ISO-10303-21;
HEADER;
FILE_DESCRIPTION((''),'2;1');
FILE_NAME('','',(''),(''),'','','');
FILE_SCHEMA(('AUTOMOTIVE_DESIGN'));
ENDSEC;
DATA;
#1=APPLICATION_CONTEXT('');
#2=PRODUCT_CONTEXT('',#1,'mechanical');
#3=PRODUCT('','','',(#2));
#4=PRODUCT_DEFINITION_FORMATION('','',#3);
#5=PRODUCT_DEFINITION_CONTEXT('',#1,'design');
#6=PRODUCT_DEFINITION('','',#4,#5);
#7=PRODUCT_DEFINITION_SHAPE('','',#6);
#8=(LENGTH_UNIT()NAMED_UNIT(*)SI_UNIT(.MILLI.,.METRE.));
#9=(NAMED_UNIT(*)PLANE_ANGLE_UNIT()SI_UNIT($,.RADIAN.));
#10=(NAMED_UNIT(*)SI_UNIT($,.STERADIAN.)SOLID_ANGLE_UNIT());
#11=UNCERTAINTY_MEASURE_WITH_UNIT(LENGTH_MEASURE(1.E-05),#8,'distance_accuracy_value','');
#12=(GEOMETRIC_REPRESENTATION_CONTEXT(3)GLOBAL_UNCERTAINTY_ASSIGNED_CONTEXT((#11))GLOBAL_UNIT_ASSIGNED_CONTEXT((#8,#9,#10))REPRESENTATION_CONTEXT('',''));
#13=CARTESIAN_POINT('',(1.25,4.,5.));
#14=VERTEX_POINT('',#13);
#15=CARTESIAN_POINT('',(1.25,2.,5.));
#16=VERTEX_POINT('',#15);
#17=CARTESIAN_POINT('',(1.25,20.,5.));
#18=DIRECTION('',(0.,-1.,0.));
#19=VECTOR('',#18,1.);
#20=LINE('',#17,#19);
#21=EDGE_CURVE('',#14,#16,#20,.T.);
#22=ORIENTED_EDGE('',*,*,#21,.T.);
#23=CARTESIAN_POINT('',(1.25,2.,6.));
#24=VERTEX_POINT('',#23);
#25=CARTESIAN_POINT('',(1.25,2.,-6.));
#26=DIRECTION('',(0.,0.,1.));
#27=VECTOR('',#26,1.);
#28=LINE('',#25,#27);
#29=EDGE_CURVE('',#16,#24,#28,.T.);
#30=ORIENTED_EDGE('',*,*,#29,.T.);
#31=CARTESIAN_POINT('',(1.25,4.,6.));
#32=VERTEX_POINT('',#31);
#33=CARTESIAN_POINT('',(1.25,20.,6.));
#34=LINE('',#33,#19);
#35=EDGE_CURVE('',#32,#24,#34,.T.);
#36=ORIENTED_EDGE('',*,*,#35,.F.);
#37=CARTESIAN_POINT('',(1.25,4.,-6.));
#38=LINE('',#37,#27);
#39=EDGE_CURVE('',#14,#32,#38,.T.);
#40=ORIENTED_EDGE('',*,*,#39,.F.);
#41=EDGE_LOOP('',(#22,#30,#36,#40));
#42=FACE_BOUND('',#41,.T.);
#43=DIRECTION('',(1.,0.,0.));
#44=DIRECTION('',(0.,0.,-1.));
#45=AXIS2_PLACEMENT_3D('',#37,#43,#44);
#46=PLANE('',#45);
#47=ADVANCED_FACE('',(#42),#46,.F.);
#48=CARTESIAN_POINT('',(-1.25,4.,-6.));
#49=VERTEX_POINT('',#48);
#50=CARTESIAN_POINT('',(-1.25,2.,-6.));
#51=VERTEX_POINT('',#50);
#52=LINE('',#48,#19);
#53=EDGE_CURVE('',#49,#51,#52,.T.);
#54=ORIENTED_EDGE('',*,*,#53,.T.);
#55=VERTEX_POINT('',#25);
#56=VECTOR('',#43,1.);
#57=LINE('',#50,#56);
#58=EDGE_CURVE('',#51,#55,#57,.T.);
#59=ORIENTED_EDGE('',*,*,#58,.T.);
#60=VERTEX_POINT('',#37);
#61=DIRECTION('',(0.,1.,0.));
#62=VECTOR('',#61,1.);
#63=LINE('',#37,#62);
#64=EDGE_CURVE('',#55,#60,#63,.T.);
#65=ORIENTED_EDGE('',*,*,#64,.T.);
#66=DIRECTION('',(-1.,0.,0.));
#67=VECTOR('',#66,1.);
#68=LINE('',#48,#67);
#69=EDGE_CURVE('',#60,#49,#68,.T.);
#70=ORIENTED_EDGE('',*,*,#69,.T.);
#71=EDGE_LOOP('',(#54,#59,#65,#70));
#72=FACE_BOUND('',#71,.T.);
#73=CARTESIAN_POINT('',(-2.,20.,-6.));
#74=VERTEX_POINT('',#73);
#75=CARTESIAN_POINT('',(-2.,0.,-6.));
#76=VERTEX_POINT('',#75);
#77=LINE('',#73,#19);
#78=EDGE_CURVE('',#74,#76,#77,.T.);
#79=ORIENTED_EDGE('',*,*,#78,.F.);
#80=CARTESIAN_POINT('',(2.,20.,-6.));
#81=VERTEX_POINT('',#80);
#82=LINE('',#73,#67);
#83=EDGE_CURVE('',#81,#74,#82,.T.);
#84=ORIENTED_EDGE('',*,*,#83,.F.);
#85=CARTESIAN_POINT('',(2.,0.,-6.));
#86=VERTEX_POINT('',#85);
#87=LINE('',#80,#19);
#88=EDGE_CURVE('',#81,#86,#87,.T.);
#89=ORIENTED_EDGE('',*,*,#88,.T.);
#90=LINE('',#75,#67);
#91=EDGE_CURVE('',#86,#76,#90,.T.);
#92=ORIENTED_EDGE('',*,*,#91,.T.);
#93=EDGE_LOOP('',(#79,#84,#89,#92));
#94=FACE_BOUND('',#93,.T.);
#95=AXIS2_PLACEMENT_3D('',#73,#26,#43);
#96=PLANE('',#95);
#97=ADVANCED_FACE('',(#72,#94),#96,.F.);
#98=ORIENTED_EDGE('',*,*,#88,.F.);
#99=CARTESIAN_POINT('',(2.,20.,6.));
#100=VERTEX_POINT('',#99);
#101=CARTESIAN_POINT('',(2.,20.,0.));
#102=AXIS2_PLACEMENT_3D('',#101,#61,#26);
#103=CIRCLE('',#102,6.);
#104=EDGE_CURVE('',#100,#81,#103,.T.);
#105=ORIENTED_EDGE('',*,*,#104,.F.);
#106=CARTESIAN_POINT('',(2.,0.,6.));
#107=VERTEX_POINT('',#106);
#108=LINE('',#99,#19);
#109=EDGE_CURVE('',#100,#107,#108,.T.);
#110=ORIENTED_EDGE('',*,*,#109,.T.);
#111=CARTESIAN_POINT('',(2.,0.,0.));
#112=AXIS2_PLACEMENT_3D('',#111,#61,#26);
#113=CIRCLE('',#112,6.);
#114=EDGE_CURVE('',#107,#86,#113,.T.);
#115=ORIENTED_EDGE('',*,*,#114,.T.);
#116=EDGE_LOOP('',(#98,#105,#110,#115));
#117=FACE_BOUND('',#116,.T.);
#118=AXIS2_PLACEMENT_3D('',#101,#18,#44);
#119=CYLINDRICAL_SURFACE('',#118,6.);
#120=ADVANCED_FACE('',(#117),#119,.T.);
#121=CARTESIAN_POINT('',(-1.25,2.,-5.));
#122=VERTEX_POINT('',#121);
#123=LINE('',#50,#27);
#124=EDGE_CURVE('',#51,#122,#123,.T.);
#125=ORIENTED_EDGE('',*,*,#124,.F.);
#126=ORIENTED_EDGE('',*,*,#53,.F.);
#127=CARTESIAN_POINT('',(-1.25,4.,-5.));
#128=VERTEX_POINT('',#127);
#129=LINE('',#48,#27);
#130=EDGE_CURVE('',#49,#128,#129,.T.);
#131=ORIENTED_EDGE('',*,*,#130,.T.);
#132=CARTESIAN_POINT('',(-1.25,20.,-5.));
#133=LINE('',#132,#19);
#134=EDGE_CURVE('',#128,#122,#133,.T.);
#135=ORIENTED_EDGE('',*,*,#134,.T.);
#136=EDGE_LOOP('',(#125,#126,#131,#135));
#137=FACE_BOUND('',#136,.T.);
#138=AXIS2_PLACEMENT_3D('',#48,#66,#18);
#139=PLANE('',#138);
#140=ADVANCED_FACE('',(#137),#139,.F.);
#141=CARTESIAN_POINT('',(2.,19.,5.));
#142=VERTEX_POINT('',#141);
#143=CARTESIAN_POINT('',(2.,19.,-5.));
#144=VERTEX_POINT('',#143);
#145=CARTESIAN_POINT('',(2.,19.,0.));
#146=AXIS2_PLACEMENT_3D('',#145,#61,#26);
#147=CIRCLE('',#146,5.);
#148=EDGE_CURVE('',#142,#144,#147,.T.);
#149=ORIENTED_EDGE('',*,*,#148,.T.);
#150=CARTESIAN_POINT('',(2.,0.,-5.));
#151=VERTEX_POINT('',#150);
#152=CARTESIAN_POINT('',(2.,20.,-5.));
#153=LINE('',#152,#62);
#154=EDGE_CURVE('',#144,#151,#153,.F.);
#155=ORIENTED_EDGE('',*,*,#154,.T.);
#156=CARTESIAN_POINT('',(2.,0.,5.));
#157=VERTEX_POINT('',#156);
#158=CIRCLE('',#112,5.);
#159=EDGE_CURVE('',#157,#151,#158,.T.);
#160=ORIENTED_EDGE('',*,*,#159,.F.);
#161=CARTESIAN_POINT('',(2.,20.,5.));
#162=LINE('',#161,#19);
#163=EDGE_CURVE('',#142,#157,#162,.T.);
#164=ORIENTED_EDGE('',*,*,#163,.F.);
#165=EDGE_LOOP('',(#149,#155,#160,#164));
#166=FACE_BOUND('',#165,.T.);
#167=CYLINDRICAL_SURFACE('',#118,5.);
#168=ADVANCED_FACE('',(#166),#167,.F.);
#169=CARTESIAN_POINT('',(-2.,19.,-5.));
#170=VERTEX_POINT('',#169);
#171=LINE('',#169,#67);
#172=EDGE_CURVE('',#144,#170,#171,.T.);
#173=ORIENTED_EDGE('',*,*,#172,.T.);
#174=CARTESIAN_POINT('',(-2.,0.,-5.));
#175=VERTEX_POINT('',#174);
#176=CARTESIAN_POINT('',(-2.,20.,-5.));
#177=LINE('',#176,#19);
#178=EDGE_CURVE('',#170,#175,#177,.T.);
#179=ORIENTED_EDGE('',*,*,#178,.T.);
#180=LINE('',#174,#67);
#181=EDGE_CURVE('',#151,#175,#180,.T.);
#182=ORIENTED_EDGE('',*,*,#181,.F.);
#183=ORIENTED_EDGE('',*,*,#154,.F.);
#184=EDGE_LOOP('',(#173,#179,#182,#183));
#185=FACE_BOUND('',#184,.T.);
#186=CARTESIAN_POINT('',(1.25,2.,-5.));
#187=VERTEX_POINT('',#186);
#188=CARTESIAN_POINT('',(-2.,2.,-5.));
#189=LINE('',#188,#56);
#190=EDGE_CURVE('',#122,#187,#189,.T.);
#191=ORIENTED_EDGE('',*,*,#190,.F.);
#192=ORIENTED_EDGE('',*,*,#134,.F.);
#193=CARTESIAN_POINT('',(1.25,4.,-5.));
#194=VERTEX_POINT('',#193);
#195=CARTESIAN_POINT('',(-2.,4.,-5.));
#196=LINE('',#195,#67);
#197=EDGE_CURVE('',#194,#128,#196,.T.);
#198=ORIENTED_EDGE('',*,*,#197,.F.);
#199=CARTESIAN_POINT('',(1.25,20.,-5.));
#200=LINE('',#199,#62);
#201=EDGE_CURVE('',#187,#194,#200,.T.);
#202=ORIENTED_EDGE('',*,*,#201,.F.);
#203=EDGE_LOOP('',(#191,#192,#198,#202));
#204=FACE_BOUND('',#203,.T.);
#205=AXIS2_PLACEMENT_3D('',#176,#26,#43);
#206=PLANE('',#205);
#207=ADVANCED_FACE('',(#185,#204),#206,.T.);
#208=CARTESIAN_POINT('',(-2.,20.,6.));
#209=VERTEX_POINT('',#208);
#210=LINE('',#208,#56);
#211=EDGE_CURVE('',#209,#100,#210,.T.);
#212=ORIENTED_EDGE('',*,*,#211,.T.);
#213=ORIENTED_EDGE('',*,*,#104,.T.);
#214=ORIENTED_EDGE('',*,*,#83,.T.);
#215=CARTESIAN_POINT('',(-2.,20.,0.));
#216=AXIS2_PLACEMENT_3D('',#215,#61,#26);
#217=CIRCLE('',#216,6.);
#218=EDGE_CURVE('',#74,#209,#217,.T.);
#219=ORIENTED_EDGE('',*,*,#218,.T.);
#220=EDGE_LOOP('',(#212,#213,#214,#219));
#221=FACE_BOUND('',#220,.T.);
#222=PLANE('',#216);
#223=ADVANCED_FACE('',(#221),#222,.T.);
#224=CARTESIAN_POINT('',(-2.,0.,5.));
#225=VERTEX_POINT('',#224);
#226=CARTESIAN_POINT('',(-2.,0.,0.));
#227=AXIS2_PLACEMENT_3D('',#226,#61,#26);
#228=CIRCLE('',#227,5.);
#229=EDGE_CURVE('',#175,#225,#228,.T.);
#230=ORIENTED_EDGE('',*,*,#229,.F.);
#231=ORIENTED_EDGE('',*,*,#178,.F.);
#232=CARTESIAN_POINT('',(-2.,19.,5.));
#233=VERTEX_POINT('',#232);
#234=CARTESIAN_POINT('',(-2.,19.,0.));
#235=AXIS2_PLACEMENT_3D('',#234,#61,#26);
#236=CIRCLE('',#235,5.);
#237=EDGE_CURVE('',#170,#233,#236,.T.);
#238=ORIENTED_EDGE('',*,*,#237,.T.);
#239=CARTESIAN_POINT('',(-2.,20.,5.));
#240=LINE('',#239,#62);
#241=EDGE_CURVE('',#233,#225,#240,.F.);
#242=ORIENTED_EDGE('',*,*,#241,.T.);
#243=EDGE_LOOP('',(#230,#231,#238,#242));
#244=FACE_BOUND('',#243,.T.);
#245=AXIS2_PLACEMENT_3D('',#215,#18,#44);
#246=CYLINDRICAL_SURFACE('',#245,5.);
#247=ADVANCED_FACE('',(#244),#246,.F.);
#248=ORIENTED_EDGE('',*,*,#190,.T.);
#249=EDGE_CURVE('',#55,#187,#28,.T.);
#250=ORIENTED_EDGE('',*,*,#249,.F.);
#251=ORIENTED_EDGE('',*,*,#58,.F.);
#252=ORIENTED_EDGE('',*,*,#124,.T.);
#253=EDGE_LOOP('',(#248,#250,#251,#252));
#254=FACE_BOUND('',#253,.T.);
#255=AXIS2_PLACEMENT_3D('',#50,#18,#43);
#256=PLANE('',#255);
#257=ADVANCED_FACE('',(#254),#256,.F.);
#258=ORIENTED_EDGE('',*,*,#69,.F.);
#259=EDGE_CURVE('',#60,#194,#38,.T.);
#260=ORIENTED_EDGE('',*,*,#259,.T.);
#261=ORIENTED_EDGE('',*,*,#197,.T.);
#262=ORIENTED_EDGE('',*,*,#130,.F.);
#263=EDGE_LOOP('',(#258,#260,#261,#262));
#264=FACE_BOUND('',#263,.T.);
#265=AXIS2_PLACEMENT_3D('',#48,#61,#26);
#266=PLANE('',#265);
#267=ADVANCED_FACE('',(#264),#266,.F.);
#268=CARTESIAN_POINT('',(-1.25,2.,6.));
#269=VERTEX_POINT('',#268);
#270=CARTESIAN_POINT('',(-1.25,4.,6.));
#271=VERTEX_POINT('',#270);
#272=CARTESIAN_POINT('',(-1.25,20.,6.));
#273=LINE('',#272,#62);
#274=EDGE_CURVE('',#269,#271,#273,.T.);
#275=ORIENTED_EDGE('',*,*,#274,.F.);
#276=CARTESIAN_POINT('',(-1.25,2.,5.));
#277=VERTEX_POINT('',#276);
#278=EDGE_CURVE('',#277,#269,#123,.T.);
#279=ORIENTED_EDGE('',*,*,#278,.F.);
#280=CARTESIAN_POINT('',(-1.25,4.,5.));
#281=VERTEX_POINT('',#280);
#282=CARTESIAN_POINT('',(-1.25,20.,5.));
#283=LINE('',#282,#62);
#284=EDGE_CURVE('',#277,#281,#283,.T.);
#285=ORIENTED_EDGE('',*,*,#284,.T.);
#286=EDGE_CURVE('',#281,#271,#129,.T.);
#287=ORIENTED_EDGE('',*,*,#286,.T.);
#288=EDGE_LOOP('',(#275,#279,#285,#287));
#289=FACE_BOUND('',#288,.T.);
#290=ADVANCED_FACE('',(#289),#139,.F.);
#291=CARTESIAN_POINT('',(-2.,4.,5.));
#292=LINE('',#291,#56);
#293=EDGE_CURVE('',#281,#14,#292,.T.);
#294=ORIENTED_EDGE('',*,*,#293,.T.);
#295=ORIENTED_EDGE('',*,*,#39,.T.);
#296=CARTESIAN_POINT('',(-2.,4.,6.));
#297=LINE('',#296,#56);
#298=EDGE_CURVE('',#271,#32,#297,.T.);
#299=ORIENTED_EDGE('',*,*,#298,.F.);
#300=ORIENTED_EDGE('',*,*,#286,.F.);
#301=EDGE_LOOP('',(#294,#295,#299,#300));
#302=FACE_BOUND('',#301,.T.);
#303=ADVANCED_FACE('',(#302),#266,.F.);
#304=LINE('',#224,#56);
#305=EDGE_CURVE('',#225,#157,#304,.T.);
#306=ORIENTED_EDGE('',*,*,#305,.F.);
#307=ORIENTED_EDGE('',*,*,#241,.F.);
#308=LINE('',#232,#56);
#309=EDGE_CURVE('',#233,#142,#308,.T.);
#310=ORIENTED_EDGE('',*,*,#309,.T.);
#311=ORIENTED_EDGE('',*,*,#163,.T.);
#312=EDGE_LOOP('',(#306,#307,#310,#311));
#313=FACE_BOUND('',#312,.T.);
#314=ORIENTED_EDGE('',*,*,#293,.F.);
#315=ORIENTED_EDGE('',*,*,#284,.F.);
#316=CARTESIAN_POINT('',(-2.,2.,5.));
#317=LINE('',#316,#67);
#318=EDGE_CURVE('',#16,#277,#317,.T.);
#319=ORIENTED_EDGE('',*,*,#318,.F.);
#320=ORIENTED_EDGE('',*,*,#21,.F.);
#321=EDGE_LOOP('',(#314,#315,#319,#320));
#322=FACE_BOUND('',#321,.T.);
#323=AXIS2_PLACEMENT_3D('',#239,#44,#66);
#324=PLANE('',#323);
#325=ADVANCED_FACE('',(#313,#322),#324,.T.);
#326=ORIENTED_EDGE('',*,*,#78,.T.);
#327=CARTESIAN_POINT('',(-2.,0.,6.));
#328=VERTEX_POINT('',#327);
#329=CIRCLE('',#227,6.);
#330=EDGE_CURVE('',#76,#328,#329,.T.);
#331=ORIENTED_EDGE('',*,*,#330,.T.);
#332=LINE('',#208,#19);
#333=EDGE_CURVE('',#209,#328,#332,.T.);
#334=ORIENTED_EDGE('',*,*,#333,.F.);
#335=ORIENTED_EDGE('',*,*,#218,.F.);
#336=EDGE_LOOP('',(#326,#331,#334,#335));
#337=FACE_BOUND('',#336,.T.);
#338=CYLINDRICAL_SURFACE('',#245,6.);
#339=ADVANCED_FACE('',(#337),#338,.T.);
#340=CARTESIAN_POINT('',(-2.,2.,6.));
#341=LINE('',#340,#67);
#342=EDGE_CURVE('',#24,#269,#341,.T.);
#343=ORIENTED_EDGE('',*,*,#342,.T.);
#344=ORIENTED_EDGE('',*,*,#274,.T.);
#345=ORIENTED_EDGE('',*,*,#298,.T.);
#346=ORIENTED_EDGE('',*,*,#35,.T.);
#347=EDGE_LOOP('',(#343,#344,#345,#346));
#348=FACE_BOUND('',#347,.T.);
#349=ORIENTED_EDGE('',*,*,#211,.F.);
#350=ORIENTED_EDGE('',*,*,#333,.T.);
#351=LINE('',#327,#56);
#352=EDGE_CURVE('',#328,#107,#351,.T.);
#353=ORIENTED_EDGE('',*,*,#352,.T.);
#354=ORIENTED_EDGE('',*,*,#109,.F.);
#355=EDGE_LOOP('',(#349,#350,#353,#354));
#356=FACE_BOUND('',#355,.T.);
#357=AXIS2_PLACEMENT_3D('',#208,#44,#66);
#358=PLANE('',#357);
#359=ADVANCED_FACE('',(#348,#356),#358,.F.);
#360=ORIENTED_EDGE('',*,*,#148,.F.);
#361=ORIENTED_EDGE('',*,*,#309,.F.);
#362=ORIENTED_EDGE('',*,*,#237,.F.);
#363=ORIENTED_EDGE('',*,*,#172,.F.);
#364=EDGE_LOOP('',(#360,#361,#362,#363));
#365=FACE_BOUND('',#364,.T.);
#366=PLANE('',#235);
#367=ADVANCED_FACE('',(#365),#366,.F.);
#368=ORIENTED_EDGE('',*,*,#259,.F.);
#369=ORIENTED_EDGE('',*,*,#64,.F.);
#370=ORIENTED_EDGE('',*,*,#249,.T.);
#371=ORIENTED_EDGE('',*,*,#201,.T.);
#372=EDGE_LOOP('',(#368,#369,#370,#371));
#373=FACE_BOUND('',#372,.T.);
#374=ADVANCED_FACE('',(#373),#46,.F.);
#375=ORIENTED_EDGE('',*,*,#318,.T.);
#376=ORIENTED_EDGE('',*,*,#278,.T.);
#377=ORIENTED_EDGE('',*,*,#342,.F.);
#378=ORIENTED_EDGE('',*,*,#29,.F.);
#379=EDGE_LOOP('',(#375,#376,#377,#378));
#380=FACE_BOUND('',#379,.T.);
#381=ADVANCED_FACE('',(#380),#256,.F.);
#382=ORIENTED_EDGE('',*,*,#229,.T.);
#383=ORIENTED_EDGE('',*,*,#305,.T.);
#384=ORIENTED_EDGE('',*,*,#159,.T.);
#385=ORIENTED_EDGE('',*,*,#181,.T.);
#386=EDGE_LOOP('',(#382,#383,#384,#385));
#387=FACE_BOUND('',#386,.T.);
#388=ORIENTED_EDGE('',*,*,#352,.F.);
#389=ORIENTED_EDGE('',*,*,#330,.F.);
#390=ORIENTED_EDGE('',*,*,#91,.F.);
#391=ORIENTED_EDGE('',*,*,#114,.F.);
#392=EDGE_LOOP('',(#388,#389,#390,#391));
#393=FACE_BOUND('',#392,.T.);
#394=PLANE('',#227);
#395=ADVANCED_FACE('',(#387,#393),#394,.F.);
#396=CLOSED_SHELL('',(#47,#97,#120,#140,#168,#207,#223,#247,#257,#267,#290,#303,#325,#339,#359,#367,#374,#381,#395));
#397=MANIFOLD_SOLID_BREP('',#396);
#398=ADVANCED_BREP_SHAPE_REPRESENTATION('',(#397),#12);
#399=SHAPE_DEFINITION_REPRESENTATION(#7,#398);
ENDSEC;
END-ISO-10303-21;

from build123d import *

# Parameters (mm, degrees)
BOSS_EXTRUDE1_DEPTH     = 20
SHELL1_T                = -1
CUT_EXTRUDE1_DEPTH      = 25.657656012
CUT_EXTRUDE1_DEPTH_BACK = 25.657656012
SKETCH2_W               = 2.5
SKETCH2_H               = 2


with BuildPart() as part:
    # Sketch1 → Boss-Extrude1 (new body)
    with BuildSketch(Plane(origin=(0, 0, 0), x_dir=(1, 0, 0), z_dir=(0, 1, 0))):
        with BuildLine():
            Line((-2, -6), (2, -6))
            ThreePointArc((2, -6), (8, 0), (2, 6))
            Line((2, 6), (-2, 6))
            ThreePointArc((-2, 6), (-8, 0), (-2, -6))
        make_face()
    extrude(amount=BOSS_EXTRUDE1_DEPTH)

    # Shell1
    shell1_openings = [part.faces().sort_by_distance(p)[0] for p in [
        (0, 0, 0),
    ]]
    offset(amount=SHELL1_T, openings=shell1_openings, kind=Kind.INTERSECTION)

    # Sketch2 → Cut-Extrude1 (cut, two sides: drawn at the far end of the back side and taken through both)
    with BuildSketch(Plane.XY.offset(6).offset(-CUT_EXTRUDE1_DEPTH_BACK)):
        with Locations((0, 3)):
            Rectangle(SKETCH2_W, SKETCH2_H)
    extrude(amount=CUT_EXTRUDE1_DEPTH + CUT_EXTRUDE1_DEPTH_BACK, mode=Mode.SUBTRACT)


solid = part.part
